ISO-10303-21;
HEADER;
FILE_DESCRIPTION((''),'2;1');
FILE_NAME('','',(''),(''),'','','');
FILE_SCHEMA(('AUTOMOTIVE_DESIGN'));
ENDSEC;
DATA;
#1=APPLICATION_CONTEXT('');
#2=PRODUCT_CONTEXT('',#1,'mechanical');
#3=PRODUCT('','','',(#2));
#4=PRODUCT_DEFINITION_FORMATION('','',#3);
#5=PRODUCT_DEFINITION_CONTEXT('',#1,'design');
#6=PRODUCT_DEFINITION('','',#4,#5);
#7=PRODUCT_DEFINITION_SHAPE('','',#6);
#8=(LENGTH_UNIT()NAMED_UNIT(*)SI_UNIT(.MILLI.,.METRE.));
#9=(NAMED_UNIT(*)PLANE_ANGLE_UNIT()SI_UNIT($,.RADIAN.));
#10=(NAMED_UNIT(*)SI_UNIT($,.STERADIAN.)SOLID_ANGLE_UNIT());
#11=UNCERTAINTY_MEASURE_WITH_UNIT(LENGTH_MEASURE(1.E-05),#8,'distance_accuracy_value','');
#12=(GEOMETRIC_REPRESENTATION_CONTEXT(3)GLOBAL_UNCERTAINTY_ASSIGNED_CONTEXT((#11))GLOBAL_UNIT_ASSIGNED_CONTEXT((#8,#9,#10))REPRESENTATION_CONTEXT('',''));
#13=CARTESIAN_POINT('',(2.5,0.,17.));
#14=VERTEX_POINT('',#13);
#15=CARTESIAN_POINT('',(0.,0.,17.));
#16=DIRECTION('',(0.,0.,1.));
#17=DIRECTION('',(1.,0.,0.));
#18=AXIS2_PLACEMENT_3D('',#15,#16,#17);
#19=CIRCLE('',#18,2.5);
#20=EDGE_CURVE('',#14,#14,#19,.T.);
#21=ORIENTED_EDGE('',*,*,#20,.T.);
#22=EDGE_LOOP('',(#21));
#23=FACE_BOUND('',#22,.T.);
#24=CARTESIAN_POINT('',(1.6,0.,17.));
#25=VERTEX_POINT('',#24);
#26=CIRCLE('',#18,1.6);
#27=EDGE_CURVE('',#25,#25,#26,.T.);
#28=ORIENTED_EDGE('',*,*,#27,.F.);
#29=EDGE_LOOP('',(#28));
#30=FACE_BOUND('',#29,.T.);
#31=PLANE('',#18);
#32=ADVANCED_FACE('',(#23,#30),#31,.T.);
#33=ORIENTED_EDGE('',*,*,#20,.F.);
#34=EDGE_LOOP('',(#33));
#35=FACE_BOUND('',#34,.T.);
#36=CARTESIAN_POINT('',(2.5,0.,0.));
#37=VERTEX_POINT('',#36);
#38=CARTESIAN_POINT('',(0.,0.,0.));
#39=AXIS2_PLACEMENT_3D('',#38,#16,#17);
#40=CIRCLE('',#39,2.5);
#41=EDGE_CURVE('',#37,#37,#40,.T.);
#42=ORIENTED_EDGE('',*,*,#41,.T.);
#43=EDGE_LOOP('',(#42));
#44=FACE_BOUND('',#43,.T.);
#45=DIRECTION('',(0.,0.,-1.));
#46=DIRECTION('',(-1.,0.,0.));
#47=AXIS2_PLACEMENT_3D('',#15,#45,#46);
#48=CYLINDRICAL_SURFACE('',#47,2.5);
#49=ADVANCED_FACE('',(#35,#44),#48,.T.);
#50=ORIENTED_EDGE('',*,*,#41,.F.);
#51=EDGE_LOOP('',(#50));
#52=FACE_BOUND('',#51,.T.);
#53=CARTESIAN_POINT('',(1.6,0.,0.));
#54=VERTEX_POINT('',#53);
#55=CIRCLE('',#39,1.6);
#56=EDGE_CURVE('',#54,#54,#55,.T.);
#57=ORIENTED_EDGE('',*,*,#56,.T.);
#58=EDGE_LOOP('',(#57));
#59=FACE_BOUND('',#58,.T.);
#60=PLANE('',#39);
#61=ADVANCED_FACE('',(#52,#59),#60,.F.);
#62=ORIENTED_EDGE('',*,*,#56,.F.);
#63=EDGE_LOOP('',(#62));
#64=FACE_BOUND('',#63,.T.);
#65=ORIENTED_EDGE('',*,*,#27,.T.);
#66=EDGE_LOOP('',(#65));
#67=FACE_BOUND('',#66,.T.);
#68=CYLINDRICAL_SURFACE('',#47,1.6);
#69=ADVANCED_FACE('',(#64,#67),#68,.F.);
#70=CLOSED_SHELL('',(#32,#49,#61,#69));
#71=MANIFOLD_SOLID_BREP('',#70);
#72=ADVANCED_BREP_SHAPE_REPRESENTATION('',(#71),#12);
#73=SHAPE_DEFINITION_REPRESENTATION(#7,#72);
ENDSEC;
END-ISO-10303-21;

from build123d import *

# Parameters (mm, degrees)
SKETCH1_R           = 2.5
SKETCH1_R_2         = 1.6
BOSS_EXTRUDE1_DEPTH = 17


with BuildPart() as part:
    # Sketch1 → Boss-Extrude1 (new body)
    with BuildSketch(Plane.XY):
        Circle(SKETCH1_R)
        Circle(SKETCH1_R_2, mode=Mode.SUBTRACT)
    extrude(amount=BOSS_EXTRUDE1_DEPTH)


solid = part.part
